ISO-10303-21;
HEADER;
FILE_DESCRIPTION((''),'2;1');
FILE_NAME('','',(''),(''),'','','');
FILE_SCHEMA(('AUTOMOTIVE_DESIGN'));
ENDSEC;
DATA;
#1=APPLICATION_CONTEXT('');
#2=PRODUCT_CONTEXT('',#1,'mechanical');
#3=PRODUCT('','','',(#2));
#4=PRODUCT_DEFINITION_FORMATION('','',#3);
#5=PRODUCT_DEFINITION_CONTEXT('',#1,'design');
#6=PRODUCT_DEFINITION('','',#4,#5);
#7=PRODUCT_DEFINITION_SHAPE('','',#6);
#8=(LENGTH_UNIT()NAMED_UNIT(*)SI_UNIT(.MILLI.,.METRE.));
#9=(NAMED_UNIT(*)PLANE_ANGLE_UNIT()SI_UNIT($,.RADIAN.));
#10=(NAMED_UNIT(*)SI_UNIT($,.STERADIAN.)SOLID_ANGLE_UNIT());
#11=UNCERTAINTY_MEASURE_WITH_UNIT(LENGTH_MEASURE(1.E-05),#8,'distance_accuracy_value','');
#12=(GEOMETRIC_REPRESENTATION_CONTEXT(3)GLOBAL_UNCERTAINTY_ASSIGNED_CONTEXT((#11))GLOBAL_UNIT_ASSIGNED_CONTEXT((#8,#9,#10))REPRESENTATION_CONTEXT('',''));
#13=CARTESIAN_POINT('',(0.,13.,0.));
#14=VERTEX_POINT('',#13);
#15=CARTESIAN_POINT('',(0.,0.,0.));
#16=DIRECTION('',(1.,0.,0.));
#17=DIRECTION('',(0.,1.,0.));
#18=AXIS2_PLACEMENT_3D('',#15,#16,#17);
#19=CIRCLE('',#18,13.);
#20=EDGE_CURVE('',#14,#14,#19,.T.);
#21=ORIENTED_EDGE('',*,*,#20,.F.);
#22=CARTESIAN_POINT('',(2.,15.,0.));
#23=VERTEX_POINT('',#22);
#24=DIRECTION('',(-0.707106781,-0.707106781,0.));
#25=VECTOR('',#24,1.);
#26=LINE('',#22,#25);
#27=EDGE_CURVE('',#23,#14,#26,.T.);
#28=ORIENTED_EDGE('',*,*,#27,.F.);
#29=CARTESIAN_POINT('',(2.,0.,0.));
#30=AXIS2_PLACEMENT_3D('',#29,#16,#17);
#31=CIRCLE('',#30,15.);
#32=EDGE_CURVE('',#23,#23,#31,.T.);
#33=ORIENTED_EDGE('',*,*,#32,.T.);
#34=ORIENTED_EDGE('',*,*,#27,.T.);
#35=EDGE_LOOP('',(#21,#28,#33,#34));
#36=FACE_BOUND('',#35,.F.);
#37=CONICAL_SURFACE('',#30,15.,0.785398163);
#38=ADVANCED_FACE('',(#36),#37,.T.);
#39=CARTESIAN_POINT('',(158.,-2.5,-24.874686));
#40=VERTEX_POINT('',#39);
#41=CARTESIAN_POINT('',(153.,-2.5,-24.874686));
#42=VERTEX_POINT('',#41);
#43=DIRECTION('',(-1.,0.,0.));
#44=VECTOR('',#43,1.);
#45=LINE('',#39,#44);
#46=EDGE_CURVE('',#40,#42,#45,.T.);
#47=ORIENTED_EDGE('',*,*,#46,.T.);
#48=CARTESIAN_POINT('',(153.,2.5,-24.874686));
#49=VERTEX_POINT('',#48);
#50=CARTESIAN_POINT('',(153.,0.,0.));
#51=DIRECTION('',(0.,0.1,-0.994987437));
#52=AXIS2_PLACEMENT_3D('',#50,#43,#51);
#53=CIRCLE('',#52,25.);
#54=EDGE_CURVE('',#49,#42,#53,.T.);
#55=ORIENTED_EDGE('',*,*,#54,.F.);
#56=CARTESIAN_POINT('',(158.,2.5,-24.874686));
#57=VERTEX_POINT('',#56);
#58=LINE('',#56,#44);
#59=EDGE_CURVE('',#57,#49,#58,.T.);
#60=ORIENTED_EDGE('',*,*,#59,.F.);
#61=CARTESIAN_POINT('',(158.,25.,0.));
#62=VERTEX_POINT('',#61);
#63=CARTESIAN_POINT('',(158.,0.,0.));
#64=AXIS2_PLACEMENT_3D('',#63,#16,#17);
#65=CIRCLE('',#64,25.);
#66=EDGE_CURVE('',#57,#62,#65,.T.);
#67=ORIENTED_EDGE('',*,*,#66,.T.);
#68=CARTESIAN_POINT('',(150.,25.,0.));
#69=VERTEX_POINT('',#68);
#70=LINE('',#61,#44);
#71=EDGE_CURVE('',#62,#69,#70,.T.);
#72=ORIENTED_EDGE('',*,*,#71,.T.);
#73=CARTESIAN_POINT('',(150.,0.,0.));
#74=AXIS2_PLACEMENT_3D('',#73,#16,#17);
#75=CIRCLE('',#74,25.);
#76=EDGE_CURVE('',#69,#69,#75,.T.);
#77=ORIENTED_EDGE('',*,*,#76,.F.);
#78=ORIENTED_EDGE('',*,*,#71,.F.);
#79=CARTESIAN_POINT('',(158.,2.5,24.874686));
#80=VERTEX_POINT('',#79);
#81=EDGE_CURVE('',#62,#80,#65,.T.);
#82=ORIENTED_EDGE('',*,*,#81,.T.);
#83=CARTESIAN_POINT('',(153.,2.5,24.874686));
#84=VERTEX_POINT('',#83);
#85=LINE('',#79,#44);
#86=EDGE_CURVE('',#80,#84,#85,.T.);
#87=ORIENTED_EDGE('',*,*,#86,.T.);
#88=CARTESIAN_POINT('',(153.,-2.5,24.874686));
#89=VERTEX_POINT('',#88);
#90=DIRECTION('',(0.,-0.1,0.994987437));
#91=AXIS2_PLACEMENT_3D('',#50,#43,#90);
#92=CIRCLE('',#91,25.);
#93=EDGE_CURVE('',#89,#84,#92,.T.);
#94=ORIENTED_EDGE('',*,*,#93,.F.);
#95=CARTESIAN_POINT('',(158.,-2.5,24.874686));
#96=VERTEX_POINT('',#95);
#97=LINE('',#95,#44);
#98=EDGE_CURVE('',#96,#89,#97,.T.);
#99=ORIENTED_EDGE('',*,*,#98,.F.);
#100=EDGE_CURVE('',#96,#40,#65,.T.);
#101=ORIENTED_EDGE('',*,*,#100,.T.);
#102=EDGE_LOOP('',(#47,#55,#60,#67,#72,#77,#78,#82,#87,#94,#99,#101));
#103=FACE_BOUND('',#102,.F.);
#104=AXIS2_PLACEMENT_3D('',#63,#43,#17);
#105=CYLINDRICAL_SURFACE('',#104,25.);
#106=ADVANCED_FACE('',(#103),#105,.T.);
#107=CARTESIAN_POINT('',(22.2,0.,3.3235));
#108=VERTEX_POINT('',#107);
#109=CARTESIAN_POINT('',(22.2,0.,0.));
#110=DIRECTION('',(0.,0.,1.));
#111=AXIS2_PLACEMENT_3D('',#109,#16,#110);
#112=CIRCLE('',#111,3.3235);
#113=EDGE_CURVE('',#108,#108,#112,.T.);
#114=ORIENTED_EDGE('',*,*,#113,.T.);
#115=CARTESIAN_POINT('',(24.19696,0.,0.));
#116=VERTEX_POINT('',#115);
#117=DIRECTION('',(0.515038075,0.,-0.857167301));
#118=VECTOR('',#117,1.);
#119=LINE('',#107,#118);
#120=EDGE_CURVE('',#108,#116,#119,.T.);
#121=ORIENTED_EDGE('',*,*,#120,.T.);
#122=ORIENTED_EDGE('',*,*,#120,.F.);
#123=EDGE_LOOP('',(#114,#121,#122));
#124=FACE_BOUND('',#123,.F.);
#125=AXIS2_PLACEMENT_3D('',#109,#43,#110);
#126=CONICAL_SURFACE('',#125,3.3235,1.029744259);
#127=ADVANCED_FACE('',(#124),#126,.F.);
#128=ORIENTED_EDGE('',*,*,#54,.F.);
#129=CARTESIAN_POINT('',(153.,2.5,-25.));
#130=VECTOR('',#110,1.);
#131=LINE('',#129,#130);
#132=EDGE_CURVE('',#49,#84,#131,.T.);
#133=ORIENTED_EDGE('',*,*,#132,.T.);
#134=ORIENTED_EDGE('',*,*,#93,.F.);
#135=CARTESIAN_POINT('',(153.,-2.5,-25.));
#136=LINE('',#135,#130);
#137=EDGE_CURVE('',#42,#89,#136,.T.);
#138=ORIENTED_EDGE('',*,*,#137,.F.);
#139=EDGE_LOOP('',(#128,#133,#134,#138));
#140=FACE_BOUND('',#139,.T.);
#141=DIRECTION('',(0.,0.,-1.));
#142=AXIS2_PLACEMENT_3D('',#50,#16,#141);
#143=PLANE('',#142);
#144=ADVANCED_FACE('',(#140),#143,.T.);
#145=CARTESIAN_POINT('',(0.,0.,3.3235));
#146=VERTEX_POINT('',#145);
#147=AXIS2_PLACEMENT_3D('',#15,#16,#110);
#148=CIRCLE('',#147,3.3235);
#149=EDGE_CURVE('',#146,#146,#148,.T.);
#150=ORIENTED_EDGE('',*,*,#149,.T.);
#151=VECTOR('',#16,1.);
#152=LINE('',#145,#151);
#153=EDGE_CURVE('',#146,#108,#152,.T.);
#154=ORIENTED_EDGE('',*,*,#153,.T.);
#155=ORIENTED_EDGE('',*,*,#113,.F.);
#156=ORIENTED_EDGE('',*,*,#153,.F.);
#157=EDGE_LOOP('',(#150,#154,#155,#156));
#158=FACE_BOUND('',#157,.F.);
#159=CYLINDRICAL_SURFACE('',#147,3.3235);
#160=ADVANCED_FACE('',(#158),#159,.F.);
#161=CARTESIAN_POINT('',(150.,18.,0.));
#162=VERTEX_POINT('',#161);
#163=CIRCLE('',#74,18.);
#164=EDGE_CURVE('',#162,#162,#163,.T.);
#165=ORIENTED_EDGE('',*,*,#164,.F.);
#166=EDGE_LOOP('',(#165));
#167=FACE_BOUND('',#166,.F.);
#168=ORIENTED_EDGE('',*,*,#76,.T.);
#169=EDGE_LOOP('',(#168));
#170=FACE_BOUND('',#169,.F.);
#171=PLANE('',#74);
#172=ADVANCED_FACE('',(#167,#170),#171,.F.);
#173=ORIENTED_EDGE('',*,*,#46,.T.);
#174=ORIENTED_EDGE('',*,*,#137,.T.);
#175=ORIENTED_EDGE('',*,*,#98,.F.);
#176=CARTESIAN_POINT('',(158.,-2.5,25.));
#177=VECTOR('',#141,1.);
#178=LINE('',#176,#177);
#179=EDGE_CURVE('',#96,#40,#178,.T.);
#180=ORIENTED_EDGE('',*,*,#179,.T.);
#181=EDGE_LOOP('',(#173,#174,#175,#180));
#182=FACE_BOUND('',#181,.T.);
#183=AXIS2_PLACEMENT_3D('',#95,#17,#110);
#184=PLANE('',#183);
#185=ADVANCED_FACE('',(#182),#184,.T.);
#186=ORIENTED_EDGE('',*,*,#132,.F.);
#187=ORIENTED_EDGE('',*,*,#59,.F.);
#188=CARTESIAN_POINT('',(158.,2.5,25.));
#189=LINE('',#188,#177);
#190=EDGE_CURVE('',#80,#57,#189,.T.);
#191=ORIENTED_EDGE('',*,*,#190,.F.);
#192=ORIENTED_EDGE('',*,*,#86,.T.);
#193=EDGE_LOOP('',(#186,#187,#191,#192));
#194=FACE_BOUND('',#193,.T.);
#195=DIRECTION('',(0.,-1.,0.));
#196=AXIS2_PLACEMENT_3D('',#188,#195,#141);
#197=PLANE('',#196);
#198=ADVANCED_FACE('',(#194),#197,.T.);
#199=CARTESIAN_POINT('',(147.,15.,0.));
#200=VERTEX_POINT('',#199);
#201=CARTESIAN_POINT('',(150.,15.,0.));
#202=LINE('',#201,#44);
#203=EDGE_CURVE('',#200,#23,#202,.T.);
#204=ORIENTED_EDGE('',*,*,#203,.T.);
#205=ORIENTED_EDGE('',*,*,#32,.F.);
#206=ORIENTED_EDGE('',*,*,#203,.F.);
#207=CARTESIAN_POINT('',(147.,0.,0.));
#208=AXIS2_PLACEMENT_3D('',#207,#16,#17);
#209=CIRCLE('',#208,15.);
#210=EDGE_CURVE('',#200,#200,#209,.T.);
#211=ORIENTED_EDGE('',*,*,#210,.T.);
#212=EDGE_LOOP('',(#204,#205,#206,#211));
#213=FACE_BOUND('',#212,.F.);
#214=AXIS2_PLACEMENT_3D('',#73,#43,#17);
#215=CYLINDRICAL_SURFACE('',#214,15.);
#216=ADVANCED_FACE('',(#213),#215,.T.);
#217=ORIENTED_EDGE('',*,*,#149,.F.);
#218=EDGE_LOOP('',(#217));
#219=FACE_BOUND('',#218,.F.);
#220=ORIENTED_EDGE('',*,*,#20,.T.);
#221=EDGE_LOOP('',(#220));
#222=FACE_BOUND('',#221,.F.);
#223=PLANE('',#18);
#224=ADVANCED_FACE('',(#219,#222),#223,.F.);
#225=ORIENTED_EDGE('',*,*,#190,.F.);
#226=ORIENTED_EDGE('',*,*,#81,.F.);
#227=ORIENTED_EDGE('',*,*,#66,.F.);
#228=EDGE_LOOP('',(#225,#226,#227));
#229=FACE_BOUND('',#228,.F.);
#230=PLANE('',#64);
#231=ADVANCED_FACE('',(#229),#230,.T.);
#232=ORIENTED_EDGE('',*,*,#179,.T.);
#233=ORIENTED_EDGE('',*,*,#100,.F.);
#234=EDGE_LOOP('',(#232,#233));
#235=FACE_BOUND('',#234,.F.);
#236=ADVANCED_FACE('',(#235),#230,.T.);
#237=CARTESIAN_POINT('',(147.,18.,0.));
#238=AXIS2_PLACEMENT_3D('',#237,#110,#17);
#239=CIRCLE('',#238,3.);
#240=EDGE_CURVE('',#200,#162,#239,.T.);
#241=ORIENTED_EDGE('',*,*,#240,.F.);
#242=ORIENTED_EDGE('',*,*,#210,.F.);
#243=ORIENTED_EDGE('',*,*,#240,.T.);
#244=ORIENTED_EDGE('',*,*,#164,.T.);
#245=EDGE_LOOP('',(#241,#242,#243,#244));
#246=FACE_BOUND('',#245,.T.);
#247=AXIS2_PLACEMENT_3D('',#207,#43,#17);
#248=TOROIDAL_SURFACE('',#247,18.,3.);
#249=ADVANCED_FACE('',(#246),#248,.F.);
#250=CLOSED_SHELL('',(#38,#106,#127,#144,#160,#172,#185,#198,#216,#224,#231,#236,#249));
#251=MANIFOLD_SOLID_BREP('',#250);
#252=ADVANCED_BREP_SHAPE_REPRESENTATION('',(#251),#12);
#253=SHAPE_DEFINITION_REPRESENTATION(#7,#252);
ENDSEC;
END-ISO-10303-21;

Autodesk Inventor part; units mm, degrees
ref_plane "YZ Plane" through (0, 0, 0) normal (1, 0, 0) x (0, 1, 0)
ref_plane "XZ Plane" through (0, 0, 0) normal (0, 1, 0) x (-1, 0, 0)
ref_plane "XY Plane" through (0, 0, 0) normal (0, 0, 1) x (1, 0, 0)
sketch "Sketch1" plane through (0, 0, 0) normal (0, 0, 1) x (1, 0, 0)
  line L0 (0, 0) -> (150, 0)
  line L1 (150, 0) -> (150, 15)
  line L2 (150, 15) -> (0, 15)
  line L3 (0, 15) -> (0, 0)
  line L4 (150, 0) -> (158, 0)
  line L5 (158, 0) -> (158, 25)
  line L6 (158, 25) -> (150, 25)
  line L7 (150, 25) -> (150, 0)
  dimension "d0" = 15
  dimension "d1" = 25
  dimension "d2" = 150
  dimension "d3" = 8
revolve "Revolution1" add sketch "Sketch1" angle 360 about axis through (0, 0, 0) along (1, 0, 0)
fillet "Fillet1" radius 3 1 edges at (150, -15, 0)
chamfer "Chamfer1" distance 2 angle 45 1 edges at (0, -15, 0)
sketch "Sketch2" plane through (0, 0, 0) normal (-1, 0, 0) x (0, 0, 1)
  point P0 (0, 0)
  point P1 (0, 0)
hole "Hole1" at (0, 0, 0) direction (1, 0, 0) diameter 6.647 depth 22.2 tip angle 118 thread size "M8x1.25" class "6H" standard "ANSI Metric M Profile"
sketch "Sketch3" plane through (158, 0, 0) normal (1, 0, 0) x (0, 0, -1)
  line L0 (-25, 2.5) -> (25, 2.5)
  line L1 (25, 2.5) -> (25, -2.5)
  line L2 (25, -2.5) -> (-25, -2.5)
  line L3 (-25, -2.5) -> (-25, 2.5)
  circle A0 centre (0, 0) radius 18 projected
  circle A1 centre (0, 0) radius 25 projected
  dimension "d16" = 50
  dimension "d17" = 50
  dimension "d18" = 25
  dimension "d19" = 5
  dimension "d20" = 2.5
extrude "Extrusion1" cut sketch "Sketch3" against normal blind 5 contours L0 A1 L3 | L0 A0 L2 A1 | A1 L2 L3 | L0 A0 L2 | A1 L2 A0 L0 | L0 L1 A1 | L1 L2 A1
equation "\"d17\" = d16"
equation "\"d18\" = 0.5 * d17"
equation "\"d20\" = 0.5 * d19"
properties part number "Top_Hinge Cylinder Long" material "Stainless Steel"
